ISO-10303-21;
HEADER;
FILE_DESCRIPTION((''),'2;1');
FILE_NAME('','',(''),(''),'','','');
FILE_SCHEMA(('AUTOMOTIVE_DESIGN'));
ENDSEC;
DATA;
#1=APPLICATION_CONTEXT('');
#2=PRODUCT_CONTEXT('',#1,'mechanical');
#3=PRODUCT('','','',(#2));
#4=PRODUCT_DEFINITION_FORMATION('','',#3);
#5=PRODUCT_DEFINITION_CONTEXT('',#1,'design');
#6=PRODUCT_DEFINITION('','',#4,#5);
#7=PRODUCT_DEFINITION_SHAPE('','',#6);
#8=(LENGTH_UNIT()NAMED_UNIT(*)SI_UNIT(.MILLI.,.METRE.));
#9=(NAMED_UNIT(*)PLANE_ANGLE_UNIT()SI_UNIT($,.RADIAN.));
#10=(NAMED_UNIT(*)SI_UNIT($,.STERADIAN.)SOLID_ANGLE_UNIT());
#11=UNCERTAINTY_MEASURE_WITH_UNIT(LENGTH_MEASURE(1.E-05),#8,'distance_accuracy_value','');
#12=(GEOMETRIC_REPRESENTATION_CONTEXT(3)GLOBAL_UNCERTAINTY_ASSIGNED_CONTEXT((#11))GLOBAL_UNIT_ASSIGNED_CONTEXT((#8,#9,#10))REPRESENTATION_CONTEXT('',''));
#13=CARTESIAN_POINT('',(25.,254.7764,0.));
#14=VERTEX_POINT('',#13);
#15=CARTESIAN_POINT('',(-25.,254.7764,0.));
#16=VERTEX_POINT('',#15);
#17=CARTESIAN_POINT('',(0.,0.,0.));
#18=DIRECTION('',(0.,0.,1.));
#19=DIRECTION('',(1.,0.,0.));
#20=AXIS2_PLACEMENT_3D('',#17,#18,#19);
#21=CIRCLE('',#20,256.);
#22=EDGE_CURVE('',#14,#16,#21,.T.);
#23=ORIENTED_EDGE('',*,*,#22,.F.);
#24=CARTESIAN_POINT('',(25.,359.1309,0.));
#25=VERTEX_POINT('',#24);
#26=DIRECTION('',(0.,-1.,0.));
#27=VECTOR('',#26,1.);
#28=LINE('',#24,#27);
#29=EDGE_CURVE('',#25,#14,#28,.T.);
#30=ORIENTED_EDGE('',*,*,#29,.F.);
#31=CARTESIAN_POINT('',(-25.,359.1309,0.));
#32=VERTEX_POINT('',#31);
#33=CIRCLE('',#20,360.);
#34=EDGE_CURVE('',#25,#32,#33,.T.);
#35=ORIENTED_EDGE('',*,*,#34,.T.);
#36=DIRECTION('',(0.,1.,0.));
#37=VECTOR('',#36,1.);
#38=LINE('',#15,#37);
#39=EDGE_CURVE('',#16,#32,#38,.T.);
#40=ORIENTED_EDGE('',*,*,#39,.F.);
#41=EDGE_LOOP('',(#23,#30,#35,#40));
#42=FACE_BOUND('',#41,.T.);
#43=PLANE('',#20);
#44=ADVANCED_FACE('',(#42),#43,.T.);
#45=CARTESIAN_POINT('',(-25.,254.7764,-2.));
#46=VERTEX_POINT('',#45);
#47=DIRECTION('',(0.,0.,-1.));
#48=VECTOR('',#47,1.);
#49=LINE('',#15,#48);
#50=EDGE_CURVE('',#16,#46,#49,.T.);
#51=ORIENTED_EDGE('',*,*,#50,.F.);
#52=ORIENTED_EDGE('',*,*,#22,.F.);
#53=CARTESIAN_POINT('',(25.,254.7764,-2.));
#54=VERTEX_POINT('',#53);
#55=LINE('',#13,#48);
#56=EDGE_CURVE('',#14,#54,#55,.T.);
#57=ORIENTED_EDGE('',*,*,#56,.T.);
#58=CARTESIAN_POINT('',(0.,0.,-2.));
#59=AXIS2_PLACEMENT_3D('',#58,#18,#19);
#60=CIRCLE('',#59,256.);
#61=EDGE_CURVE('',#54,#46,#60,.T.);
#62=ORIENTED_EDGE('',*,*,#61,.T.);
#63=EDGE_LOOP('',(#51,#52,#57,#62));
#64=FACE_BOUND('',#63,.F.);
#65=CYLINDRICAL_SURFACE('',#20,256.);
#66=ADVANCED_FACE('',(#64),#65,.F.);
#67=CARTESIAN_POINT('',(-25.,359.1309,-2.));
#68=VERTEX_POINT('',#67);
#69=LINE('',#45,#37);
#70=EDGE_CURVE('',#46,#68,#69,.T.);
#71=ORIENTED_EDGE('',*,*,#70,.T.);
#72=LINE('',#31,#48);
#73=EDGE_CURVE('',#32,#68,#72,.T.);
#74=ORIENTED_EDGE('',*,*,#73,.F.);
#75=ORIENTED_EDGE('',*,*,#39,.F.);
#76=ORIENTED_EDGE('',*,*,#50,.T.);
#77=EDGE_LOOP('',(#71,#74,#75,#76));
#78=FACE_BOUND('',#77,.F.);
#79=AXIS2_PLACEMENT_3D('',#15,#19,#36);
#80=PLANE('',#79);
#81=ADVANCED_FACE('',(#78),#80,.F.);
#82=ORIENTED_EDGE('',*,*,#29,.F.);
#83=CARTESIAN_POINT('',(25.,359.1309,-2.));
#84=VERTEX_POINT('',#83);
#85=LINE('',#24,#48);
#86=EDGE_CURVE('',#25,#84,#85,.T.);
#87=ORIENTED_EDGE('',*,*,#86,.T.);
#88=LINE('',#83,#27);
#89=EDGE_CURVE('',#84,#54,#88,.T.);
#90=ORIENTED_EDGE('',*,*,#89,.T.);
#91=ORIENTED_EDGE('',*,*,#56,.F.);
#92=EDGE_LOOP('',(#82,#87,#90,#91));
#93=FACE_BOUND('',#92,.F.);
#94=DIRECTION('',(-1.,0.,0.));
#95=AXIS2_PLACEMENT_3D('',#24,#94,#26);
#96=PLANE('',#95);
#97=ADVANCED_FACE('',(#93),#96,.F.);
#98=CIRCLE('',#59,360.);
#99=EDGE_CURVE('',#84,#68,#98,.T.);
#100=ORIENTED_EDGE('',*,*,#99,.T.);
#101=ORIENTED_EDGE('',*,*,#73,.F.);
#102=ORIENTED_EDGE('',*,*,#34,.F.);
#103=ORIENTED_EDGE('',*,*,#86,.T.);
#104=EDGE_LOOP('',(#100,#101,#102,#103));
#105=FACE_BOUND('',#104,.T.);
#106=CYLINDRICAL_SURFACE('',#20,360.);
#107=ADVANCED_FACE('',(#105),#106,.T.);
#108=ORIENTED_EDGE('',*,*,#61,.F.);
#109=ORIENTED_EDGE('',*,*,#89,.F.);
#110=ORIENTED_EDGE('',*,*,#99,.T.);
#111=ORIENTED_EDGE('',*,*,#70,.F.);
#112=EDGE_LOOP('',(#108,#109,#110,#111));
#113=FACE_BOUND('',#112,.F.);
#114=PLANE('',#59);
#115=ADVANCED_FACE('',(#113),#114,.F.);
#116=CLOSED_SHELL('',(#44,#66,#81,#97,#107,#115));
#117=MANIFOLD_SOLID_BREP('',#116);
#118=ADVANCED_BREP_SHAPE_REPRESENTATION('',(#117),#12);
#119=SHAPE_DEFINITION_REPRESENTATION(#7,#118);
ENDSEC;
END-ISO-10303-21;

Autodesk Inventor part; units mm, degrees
ref_plane "YZ Plane" through (0, 0, 0) normal (1, 0, 0) x (0, 1, 0)
ref_plane "XZ Plane" through (0, 0, 0) normal (0, 1, 0) x (-1, 0, 0)
ref_plane "XY Plane" through (0, 0, 0) normal (0, 0, 1) x (1, 0, 0)
sketch "Sketch1" plane through (0, 0, 0) normal (0, 0, 1) x (1, 0, 0)
  circle A0 centre (0, 0) radius 256
  line L0 (-25, 359.1309) -> (25, 359.1309)
  line L1 (25, 359.1309) -> (25, 254.7764)
  line L2 (25, 254.7764) -> (-25, 254.7764)
  line L3 (-25, 254.7764) -> (-25, 359.1309)
  circle A1 centre (0, 0) radius 360
  dimension "d28" = 720
  dimension "d26" = 512
  dimension "d27" = 50
extrude "Plate1" add sketch "Sketch1" against normal blind 2 contours A0 L3 L0 L1 | L0 A1
equation "\"d28\" = Шстр_диам_внутр"
equation "\"d26\" = Колесо_диам_3 + 2 * Thickness"
equation "\"d15\" = Thickness"
equation "\"BendRadius\" = Thickness"
equation "\"BendReliefWidth\" = Thickness"
equation "\"BendReliefDepth\" = 0.5 * Thickness"
equation "\"CornerReliefSize\" = 4 * Thickness"
equation "\"MinimumRemnant\" = 2 * Thickness"
equation "\"TransitionRadius\" = BendRadius"
equation "\"JacobiRadiusSize\" = BendRadius"
equation "\"GapSize\" = Thickness"
equation "\"Шстр_диам_внутр\" = 720"
equation "\"Колесо_диам_3\" = 508"
equation "\"Thickness\" = 2"
properties part number "ДМФ 01 13 Барабан усилитель v2.0"
